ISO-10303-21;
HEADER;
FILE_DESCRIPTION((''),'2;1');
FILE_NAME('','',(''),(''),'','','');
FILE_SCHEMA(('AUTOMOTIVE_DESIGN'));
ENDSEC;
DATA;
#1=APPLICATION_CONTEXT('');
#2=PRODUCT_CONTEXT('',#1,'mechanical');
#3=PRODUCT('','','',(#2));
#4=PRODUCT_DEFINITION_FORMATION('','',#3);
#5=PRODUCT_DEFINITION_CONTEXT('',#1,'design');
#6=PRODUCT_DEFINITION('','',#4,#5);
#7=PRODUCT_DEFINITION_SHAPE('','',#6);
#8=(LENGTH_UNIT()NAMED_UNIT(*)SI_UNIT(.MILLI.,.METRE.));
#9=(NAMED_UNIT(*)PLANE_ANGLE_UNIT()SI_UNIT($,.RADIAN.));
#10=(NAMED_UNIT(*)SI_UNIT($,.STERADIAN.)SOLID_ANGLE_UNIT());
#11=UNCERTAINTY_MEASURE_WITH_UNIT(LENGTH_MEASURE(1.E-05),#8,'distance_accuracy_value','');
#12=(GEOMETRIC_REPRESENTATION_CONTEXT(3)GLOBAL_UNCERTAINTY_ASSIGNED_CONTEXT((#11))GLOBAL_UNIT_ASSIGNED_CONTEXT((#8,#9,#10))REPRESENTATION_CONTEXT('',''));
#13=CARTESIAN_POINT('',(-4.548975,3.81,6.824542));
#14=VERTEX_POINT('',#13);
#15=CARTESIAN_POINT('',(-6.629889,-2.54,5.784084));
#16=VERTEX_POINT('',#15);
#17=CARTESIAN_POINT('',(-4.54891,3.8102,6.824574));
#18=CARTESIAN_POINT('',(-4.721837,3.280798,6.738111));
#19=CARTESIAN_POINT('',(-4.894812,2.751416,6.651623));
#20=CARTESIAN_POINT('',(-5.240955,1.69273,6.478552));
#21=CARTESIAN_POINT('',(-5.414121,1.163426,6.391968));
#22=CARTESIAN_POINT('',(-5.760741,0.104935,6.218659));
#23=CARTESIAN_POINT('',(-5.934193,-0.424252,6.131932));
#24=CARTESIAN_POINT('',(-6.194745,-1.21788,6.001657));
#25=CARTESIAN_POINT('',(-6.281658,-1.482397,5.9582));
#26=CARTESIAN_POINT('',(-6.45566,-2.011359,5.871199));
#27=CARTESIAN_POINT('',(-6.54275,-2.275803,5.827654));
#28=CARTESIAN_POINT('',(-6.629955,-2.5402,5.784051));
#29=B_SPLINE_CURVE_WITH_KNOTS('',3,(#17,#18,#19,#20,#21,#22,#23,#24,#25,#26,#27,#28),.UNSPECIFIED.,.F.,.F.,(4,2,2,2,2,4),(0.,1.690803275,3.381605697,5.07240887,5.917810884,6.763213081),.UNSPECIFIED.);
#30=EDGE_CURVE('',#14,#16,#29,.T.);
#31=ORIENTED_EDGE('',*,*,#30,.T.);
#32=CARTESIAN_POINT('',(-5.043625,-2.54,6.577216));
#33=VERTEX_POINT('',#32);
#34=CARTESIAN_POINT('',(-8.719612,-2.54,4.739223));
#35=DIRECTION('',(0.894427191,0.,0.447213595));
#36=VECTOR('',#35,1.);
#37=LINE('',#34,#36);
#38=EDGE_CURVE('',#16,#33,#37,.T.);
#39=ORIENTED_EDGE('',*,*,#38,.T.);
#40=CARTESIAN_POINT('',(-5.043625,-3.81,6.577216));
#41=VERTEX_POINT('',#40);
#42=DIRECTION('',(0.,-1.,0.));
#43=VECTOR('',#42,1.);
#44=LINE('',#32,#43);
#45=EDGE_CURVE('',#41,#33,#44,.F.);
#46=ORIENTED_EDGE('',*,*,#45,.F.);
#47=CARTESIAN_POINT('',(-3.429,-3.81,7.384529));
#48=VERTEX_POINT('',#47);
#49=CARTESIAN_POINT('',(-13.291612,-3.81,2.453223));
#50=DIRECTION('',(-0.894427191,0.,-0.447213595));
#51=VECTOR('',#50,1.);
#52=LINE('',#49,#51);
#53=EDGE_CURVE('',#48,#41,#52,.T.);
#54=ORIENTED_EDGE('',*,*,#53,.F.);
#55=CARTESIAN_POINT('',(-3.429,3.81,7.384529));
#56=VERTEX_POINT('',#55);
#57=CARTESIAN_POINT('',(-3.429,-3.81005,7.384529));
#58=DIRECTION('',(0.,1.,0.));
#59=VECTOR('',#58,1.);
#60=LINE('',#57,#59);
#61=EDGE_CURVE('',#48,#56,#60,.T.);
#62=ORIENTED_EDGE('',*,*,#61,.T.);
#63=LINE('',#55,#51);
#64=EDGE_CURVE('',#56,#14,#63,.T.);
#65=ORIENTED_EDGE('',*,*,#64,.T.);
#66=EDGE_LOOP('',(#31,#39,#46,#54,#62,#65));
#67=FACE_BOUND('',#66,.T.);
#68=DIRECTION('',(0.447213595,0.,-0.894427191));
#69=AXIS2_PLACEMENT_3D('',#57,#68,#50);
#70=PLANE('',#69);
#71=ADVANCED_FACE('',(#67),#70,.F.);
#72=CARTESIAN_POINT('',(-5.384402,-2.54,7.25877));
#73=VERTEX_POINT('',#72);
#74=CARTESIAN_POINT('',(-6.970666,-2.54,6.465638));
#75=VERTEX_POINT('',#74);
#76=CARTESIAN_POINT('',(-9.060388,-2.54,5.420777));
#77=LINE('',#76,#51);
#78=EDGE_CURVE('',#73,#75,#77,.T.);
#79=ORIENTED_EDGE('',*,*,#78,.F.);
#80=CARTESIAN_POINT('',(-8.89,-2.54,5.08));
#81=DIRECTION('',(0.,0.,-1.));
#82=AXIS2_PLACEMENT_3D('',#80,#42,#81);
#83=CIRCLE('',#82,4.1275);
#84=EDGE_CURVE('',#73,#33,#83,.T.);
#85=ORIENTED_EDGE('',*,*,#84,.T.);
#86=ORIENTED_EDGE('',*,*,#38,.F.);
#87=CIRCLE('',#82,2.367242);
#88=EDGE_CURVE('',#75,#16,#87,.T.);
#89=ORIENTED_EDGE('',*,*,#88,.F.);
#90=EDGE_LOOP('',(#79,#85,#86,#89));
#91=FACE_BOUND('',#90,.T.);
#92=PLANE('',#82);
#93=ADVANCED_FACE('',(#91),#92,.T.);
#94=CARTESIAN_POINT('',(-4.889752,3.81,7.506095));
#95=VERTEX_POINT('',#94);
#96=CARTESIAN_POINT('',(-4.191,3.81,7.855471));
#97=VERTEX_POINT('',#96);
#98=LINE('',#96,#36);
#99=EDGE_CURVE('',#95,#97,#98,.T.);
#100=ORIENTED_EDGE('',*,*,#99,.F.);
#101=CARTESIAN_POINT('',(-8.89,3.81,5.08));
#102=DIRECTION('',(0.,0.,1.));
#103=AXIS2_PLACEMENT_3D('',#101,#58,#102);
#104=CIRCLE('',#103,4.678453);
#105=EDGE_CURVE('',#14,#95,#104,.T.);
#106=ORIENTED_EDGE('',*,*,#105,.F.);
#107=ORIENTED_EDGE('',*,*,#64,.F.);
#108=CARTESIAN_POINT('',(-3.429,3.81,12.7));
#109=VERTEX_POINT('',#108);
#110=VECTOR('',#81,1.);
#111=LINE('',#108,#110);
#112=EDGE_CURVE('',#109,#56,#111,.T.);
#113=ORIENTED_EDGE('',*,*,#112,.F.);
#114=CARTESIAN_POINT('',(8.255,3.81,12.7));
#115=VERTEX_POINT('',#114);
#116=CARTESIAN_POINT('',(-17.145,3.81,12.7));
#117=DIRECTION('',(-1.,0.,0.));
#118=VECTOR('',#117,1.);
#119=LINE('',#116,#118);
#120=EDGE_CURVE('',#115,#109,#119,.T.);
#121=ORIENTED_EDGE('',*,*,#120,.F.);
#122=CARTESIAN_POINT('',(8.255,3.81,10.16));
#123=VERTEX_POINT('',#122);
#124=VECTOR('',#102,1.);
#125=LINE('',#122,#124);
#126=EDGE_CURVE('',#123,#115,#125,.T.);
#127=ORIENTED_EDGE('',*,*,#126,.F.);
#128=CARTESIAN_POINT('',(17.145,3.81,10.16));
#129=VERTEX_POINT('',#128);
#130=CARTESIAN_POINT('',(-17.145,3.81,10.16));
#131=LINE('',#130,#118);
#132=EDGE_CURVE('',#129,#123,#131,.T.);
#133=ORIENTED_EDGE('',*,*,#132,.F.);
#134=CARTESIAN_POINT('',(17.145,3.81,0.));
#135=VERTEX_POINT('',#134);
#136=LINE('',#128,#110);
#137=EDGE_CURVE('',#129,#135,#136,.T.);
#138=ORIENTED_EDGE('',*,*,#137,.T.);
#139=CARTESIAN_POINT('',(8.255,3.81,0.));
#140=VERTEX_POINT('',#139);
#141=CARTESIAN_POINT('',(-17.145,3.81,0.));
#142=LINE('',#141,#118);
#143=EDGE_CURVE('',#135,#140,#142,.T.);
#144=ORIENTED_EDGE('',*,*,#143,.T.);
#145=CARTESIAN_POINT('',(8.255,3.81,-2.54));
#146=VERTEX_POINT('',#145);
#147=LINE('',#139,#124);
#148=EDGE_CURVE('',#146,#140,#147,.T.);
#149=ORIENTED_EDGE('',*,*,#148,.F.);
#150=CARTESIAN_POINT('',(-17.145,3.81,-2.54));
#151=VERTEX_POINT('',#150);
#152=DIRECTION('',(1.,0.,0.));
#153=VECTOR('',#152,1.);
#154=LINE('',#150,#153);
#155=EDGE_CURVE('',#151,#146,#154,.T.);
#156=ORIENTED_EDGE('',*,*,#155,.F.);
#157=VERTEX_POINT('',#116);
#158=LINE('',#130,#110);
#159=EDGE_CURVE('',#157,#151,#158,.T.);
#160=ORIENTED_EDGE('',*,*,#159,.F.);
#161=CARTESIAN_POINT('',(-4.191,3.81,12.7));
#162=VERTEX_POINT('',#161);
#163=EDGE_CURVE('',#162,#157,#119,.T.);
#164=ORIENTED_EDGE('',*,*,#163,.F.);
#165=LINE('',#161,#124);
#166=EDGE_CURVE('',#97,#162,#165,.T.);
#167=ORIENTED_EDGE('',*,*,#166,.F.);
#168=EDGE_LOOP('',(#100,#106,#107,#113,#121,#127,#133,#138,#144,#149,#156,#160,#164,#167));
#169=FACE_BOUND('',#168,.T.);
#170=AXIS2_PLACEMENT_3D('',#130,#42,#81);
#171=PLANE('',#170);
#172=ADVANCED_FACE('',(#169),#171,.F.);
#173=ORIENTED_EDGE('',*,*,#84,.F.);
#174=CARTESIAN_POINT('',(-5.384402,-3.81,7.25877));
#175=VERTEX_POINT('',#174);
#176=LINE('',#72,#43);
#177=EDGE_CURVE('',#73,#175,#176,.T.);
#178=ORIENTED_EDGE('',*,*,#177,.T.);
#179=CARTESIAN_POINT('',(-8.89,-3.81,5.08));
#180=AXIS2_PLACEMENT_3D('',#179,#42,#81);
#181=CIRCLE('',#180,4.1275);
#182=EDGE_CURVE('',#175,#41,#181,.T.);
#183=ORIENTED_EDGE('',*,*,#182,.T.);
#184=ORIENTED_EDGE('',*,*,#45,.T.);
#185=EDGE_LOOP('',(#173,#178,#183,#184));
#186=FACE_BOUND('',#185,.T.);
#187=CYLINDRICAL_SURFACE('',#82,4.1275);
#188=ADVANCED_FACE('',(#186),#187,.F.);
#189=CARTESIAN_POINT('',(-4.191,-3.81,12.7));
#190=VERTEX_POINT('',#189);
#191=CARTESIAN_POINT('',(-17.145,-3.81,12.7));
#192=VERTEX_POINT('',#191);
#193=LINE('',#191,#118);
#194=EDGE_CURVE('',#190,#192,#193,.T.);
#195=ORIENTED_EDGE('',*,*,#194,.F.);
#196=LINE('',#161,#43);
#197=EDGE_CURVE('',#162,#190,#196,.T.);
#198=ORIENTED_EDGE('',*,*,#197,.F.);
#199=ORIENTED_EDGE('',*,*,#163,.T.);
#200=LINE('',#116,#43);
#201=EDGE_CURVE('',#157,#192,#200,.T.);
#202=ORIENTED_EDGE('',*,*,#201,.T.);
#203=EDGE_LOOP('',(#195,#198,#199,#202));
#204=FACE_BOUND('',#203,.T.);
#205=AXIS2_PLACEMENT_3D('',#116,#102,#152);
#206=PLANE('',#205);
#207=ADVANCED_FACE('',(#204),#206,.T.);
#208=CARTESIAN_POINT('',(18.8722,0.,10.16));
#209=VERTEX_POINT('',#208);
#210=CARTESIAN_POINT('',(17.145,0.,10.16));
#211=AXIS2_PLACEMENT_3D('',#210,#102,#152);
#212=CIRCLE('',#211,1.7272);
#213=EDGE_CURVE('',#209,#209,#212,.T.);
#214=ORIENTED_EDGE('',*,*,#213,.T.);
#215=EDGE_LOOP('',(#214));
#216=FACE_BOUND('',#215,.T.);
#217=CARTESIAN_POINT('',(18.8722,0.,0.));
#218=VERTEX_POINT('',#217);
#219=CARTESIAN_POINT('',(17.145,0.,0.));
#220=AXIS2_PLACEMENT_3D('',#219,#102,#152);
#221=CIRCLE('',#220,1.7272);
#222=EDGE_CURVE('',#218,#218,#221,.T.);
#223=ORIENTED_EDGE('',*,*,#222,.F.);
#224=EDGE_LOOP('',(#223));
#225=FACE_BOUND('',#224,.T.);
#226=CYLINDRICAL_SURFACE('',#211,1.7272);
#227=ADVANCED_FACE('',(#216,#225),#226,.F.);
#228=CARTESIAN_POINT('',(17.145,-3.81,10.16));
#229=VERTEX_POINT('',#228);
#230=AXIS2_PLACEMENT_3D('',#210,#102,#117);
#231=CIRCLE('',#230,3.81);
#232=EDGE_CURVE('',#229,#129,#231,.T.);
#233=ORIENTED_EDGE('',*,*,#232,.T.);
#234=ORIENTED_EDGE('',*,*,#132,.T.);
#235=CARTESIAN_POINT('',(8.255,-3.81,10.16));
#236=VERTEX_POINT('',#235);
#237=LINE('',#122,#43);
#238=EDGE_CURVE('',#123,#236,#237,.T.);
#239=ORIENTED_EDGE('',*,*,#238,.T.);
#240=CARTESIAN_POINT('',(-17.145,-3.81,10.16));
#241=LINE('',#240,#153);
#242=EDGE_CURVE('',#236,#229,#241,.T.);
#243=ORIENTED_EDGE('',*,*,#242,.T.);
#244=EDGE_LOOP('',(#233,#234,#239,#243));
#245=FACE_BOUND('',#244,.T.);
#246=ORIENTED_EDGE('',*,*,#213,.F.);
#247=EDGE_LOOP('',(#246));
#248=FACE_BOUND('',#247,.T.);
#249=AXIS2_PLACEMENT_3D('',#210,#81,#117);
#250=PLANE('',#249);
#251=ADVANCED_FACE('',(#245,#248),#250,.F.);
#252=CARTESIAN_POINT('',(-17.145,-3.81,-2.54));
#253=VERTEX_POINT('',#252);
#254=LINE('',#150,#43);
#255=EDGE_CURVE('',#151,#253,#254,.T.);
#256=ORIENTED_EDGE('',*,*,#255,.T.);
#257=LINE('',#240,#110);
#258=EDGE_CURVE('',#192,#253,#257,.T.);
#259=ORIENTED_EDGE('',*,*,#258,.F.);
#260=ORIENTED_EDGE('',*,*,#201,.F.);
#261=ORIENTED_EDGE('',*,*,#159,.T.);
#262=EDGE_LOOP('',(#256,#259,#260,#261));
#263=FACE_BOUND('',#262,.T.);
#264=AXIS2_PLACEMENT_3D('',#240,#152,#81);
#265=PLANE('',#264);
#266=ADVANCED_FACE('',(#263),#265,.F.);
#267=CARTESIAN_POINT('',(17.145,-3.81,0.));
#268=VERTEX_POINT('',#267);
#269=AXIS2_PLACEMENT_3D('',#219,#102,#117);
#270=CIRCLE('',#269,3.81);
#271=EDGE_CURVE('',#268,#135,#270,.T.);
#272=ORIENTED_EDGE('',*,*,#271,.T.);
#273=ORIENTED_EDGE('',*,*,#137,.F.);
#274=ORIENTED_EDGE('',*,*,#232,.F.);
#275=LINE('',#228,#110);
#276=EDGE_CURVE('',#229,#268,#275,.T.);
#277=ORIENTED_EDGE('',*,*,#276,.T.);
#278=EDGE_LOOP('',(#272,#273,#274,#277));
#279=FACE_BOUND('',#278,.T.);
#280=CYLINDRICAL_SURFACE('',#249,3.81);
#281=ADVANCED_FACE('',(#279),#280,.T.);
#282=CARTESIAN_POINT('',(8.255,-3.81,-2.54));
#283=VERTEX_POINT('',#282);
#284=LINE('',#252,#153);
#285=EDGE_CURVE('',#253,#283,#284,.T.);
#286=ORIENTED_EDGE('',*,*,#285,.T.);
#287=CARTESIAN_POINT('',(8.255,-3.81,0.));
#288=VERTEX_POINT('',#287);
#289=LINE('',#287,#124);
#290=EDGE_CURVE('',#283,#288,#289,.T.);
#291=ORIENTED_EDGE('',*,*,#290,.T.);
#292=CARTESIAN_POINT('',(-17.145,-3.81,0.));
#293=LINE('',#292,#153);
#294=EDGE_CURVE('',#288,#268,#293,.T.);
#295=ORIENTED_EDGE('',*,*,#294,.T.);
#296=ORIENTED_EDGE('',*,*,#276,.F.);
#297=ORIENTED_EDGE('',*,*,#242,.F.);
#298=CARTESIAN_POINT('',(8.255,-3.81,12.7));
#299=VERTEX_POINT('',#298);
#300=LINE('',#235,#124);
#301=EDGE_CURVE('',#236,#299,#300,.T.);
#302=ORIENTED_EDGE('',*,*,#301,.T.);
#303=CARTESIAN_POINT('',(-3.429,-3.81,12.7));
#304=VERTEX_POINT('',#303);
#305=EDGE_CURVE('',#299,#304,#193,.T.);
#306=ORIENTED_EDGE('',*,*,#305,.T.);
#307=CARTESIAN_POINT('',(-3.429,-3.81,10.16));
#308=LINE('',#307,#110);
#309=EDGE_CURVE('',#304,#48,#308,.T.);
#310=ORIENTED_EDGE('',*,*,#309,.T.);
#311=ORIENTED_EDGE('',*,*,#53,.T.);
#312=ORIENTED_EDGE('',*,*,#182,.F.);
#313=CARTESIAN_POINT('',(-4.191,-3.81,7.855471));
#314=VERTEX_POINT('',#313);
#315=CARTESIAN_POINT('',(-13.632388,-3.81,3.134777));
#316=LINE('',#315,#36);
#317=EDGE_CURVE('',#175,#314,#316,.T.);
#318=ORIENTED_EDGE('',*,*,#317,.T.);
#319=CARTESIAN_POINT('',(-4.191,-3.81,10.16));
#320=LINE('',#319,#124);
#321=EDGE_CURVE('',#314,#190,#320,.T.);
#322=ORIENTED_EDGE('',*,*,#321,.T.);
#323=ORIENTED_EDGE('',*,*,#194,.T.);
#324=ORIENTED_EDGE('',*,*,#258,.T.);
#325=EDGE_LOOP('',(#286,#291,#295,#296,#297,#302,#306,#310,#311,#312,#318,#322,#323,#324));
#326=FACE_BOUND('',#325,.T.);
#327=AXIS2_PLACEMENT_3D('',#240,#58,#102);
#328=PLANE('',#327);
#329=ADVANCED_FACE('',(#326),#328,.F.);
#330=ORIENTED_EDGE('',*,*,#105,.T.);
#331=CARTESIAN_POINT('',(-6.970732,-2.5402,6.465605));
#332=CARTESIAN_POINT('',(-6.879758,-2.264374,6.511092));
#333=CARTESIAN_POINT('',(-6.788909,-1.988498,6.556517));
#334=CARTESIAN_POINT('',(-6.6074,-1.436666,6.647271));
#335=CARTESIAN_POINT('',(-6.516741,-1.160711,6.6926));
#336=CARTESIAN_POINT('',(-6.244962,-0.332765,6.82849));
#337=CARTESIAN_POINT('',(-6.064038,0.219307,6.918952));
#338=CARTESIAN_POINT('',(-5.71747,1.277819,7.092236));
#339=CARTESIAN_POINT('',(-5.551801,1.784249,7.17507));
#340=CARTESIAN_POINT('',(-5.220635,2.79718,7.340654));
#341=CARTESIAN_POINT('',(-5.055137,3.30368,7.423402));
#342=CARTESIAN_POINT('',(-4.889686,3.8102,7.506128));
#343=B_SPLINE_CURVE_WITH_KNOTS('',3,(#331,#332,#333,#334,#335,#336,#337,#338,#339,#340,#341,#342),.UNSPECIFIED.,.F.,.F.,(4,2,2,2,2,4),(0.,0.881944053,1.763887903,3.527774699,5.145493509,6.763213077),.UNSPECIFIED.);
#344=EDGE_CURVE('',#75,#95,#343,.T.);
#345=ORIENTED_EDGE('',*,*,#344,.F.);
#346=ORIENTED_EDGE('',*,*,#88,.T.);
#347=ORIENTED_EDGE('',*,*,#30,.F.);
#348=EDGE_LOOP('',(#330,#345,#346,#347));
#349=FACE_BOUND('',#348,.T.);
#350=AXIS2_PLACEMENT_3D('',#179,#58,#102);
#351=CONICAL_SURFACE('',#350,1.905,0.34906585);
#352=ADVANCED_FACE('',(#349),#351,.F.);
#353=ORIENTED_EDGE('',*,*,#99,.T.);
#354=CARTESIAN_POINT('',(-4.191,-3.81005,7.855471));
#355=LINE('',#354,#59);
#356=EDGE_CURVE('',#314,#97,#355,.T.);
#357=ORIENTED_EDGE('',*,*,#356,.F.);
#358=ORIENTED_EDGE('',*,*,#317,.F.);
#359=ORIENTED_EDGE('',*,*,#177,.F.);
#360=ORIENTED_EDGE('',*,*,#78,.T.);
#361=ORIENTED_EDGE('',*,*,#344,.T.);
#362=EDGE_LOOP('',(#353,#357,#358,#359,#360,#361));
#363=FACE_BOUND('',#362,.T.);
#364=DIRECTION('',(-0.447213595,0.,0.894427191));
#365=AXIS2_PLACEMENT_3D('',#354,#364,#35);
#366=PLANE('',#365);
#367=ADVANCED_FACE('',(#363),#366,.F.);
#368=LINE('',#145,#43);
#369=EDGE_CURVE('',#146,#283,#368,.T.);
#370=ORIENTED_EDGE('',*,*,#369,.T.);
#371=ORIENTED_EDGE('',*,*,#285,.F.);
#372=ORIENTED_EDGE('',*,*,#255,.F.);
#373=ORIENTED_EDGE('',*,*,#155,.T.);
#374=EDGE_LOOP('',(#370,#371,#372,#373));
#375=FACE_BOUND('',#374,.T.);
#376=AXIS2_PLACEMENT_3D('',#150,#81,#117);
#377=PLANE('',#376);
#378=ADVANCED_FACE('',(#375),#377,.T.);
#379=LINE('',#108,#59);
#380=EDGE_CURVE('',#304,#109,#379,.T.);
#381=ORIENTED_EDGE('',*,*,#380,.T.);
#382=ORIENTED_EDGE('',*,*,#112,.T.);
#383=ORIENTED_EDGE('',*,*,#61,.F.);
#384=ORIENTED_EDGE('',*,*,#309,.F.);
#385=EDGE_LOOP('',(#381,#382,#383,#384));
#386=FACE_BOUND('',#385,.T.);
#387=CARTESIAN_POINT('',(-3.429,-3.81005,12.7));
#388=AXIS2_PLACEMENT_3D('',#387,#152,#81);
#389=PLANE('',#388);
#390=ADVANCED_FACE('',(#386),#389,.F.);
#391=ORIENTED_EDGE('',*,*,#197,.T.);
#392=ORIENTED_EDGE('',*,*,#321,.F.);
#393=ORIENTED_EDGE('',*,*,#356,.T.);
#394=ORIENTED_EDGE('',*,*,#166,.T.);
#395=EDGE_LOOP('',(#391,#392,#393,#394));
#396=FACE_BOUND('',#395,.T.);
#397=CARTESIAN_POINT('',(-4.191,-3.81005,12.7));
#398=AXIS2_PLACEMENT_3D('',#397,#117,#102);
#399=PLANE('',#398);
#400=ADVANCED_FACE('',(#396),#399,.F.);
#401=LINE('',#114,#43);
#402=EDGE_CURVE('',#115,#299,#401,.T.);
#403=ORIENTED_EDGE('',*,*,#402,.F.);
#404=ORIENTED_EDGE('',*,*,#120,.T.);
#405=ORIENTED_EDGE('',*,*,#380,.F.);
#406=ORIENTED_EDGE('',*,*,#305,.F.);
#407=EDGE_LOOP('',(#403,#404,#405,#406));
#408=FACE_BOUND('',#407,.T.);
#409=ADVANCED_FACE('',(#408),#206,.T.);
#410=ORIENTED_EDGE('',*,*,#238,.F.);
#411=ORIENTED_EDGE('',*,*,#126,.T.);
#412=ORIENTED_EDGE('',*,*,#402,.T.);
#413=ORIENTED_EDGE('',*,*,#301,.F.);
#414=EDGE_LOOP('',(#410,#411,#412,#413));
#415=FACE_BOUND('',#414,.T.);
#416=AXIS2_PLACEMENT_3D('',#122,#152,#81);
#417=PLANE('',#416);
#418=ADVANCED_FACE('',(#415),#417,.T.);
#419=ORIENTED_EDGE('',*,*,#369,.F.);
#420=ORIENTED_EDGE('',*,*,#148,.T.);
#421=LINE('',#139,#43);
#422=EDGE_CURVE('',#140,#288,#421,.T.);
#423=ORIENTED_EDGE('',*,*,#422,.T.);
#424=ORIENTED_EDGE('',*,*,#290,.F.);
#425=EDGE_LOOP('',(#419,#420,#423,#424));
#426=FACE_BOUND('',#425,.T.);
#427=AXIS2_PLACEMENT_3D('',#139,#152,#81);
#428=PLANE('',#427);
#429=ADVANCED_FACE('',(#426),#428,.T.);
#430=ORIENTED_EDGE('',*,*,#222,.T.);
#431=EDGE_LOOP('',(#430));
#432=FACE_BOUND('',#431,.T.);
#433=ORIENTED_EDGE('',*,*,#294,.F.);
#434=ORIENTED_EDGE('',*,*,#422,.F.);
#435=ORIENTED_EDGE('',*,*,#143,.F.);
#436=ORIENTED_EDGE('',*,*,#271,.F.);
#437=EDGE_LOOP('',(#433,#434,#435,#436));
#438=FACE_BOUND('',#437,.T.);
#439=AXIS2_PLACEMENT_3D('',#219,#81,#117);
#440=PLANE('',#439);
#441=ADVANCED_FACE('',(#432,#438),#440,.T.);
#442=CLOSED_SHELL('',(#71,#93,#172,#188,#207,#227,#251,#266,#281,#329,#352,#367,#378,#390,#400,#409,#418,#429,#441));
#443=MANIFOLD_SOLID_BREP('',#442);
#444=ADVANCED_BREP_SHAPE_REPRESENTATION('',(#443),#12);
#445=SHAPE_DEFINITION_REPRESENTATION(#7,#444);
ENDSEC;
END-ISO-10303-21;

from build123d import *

# Parameters (mm, degrees)
BOSS_EXTRUDE1_DEPTH   = 10.16
F_4_CLEARANCE_HOLE1_D = 3.4544
SKETCH4_R             = 1.905
CUT_EXTRUDE1_DEPTH    = 8.62
CUT_EXTRUDE1_TAPER    = -20
SKETCH5_R             = 4.1275
CUT_EXTRUDE2_DEPTH    = 1.27
SKETCH6_W             = 25.4
SKETCH6_H             = 2.54
BOSS_EXTRUDE2_DEPTH   = 7.62
CUT_EXTRUDE3_DEPTH    = 8.62


with BuildPart() as part:
    # Sketch1 → Boss-Extrude1 (new body)
    with BuildSketch(Plane.XY):
        with BuildLine():
            Line((-17.145, -3.81), (17.145, -3.81))
            ThreePointArc((17.145, -3.81), (20.955, 0), (17.145, 3.81))
            Line((17.145, 3.81), (-17.145, 3.81))
            Line((-17.145, 3.81), (-17.145, -3.81))
        make_face()
    extrude(amount=BOSS_EXTRUDE1_DEPTH)

    # #4 Clearance Hole1 (through all)
    with Locations(Plane.XY.offset(10.16)):
        with Locations((17.145, 0)):
            Hole(F_4_CLEARANCE_HOLE1_D / 2)

    # Sketch4 → Cut-Extrude1 (cut, through all)
    with BuildSketch(Plane(origin=(0, -3.81, 0), x_dir=(1, 0, 0), z_dir=(0, 1, 0))):
        with Locations((-8.89, -5.08)):
            Circle(SKETCH4_R)
    extrude(amount=CUT_EXTRUDE1_DEPTH, taper=CUT_EXTRUDE1_TAPER, mode=Mode.SUBTRACT)

    # Sketch5 → Cut-Extrude2 (cut)
    with BuildSketch(Plane.XZ.offset(3.81)):
        with Locations((-8.89, 5.08)):
            Circle(SKETCH5_R)
    extrude(amount=-CUT_EXTRUDE2_DEPTH, mode=Mode.SUBTRACT)

    # Sketch6 → Boss-Extrude2 (add, through all)
    with BuildSketch(Plane.XZ.offset(3.81)):
        with Locations((-4.445, 11.43)):
            Rectangle(SKETCH6_W, SKETCH6_H)
        with Locations((-4.445, -1.27)):
            Rectangle(SKETCH6_W, SKETCH6_H)
    extrude(amount=-BOSS_EXTRUDE2_DEPTH)

    # Sketch8 → Cut-Extrude3 (cut, through all)
    with BuildSketch(Plane(origin=(0, 3.81, 0), x_dir=(1, 0, 0), z_dir=(0, 1, 0))):
        Polygon((-3.429, -12.7), (-3.429, -7.38452905), (-8.71961162, -4.73922324), (-9.06038838, -5.42077676), (-4.191, -7.85547095), (-4.191, -12.7), align=None)
    extrude(amount=-CUT_EXTRUDE3_DEPTH, mode=Mode.SUBTRACT)


solid = part.part
